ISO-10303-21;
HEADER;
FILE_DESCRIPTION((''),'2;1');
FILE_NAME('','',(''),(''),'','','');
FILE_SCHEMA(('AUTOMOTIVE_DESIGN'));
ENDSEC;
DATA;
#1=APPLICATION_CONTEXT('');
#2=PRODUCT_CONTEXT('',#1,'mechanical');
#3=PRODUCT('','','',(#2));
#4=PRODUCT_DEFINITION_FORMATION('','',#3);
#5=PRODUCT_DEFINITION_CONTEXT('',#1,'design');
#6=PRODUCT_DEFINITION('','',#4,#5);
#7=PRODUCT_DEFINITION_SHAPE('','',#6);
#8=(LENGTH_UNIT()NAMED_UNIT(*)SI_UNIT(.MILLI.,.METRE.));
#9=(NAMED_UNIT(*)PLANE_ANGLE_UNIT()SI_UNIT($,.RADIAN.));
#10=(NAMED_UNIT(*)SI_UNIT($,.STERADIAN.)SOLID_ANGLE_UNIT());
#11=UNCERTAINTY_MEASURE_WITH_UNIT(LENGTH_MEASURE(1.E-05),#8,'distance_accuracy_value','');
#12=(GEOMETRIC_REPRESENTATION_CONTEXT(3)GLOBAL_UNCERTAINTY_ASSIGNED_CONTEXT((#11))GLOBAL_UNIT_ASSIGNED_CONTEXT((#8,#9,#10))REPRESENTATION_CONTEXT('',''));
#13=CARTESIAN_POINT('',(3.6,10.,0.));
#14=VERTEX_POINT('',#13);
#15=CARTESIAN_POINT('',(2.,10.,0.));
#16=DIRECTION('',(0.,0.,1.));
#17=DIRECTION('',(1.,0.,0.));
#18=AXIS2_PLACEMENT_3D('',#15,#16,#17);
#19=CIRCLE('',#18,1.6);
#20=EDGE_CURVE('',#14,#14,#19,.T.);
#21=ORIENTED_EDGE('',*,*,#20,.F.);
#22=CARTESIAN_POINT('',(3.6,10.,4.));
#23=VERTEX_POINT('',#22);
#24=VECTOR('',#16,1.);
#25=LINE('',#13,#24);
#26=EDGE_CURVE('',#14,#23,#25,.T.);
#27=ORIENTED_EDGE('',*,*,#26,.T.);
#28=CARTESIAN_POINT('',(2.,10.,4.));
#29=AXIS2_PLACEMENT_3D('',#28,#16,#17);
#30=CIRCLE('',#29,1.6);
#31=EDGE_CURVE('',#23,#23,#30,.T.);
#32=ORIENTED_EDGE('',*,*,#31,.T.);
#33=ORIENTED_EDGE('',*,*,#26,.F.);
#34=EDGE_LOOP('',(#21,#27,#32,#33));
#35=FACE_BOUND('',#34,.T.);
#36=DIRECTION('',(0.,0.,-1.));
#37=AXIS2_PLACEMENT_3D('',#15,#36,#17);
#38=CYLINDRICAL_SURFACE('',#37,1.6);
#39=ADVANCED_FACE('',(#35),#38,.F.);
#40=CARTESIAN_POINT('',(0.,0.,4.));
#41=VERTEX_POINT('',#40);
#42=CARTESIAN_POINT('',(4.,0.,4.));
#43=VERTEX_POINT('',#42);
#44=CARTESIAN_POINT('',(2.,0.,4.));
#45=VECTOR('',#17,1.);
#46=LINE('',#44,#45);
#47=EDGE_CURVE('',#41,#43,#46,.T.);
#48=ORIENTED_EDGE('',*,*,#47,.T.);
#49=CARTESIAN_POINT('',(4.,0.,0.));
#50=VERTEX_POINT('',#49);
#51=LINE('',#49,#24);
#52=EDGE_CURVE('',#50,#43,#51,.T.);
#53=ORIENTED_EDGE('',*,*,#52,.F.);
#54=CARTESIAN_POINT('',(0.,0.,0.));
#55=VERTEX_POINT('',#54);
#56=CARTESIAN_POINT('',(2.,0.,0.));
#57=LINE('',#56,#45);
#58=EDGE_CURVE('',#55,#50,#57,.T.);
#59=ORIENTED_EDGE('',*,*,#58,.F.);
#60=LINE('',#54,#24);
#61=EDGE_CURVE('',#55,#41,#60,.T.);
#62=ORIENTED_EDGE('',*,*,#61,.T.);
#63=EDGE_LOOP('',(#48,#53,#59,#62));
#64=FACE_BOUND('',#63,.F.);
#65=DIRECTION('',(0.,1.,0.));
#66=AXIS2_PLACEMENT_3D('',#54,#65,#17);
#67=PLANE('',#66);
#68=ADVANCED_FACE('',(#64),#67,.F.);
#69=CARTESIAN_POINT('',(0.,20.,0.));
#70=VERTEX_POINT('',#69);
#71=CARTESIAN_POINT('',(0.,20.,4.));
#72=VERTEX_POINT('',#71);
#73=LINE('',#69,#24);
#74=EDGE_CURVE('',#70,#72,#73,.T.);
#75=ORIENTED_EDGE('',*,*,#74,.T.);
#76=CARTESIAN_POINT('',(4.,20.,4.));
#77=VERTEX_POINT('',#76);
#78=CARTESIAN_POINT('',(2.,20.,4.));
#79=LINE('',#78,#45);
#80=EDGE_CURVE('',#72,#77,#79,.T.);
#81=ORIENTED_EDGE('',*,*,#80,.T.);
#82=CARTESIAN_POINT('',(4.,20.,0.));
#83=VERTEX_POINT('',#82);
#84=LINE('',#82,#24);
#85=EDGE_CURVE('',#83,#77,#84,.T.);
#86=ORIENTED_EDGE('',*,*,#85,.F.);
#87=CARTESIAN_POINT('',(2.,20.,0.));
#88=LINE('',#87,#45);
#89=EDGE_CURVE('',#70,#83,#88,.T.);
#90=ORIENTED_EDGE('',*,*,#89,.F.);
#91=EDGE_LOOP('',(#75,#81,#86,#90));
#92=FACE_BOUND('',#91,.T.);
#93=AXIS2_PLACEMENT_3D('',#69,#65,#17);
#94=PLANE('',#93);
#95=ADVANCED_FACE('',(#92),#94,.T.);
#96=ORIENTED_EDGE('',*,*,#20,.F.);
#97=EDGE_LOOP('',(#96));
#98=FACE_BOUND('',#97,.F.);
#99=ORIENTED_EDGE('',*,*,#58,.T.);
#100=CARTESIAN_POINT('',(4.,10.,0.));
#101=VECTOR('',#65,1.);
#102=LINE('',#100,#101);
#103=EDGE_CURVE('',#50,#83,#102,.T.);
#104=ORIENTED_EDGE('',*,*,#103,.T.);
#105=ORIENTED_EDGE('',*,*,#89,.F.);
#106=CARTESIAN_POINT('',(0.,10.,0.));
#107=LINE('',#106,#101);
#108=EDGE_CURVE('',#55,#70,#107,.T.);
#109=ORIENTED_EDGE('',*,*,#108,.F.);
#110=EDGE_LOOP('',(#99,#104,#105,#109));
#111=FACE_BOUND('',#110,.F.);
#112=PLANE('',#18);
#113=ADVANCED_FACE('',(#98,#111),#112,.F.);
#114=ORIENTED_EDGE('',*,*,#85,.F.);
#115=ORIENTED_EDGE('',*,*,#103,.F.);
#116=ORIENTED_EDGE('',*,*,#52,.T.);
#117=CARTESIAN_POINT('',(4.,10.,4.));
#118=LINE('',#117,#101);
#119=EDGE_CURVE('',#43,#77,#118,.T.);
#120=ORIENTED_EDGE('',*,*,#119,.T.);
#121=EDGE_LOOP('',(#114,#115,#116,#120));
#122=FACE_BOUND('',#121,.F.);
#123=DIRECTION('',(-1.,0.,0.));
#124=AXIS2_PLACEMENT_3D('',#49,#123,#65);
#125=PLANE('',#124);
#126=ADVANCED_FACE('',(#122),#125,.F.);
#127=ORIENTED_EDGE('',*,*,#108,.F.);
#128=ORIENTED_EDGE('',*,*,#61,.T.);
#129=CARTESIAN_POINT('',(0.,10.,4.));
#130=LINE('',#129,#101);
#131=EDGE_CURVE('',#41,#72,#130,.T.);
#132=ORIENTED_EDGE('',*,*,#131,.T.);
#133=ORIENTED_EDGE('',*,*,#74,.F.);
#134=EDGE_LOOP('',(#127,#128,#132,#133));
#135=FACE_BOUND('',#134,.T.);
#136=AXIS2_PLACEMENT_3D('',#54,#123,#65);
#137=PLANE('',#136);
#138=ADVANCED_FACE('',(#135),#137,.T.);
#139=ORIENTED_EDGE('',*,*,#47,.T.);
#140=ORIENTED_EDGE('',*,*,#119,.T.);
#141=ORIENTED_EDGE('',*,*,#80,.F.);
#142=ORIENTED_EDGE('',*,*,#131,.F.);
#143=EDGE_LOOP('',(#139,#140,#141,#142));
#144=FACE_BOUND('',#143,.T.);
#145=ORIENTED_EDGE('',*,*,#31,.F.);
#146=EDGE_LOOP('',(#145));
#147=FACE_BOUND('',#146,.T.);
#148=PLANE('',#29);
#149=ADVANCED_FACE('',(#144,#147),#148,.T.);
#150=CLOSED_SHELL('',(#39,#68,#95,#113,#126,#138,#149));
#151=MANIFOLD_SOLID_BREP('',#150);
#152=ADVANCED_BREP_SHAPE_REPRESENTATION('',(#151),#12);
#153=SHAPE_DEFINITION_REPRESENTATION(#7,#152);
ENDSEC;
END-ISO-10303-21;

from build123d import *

# Parameters (mm, degrees)
SKETCH_W  = 4
SKETCH_H  = 20
SKETCH_R  = 1.6
PAD_DEPTH = 4


with BuildPart() as part:
    # Sketch → Pad (new body)
    with BuildSketch(Plane.XY):
        with Locations((2, 10)):
            Rectangle(SKETCH_W, SKETCH_H)
        with Locations((2, 10)):
            Circle(SKETCH_R, mode=Mode.SUBTRACT)
    extrude(amount=PAD_DEPTH)


solid = part.part
